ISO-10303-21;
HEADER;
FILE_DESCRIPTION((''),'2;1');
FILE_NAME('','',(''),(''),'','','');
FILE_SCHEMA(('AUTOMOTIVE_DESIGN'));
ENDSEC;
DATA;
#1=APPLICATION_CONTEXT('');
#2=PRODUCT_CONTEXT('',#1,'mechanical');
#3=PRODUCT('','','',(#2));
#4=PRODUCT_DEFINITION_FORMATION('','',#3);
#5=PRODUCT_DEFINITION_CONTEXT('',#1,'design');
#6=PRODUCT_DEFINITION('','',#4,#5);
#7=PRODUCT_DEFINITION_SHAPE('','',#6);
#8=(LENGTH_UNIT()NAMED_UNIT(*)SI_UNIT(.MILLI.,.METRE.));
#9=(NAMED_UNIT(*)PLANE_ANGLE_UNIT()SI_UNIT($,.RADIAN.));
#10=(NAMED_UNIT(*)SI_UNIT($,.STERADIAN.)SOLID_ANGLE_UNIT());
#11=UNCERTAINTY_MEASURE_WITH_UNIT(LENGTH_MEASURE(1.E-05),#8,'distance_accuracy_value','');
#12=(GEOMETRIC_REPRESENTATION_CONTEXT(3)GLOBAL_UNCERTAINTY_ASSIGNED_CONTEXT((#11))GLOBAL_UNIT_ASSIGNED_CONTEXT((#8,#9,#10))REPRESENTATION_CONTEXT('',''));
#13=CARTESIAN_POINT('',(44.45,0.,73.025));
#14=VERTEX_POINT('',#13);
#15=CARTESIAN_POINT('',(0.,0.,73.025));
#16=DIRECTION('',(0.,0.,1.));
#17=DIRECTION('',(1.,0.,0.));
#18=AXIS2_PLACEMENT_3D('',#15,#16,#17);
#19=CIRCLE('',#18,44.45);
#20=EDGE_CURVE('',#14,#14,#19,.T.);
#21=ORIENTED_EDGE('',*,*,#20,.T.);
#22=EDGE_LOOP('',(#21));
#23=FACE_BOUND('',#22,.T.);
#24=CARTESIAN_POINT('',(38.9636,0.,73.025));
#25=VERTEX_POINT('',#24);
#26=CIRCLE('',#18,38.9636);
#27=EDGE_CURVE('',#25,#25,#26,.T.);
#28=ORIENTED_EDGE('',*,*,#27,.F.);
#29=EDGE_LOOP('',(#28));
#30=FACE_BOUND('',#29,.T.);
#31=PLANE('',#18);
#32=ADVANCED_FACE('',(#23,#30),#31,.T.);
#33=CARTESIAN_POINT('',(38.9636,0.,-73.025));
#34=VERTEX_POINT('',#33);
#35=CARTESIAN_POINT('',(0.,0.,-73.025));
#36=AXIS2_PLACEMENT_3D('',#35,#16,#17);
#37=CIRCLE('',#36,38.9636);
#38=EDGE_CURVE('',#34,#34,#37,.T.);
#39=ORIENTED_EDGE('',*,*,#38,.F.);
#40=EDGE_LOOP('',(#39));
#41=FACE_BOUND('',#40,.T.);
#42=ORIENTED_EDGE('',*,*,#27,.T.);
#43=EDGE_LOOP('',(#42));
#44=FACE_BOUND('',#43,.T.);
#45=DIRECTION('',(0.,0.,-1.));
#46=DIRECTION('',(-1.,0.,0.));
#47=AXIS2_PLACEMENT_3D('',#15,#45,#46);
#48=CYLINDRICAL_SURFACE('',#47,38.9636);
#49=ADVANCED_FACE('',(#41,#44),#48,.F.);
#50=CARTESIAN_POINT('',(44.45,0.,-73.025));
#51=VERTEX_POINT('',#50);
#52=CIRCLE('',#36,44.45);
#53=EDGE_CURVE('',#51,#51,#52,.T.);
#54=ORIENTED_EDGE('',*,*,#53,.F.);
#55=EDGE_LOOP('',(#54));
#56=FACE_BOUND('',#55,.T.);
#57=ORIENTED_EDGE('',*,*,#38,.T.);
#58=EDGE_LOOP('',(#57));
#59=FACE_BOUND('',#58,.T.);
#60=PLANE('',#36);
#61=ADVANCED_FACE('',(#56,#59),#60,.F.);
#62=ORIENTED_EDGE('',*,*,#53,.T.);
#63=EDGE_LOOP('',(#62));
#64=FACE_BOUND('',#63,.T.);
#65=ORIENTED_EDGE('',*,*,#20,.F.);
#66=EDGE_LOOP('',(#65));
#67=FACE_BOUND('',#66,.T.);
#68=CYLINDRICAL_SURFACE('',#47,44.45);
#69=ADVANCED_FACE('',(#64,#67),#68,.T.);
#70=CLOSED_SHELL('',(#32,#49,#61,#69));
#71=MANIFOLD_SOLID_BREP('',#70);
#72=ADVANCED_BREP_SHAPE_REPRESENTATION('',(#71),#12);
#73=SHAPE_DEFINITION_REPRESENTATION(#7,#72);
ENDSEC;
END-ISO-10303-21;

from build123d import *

# Parameters (mm, degrees)
SKETCH1_R           = 44.45
SKETCH1_R_2         = 38.9636
EXTRUDE_THIN1_DEPTH = 73.025


with BuildPart() as part:
    # Sketch1 → Extrude-Thin1 (new body, symmetric)
    with BuildSketch(Plane.XY):
        Circle(SKETCH1_R)
        Circle(SKETCH1_R_2, mode=Mode.SUBTRACT)
    extrude(amount=EXTRUDE_THIN1_DEPTH, both=True)


solid = part.part
